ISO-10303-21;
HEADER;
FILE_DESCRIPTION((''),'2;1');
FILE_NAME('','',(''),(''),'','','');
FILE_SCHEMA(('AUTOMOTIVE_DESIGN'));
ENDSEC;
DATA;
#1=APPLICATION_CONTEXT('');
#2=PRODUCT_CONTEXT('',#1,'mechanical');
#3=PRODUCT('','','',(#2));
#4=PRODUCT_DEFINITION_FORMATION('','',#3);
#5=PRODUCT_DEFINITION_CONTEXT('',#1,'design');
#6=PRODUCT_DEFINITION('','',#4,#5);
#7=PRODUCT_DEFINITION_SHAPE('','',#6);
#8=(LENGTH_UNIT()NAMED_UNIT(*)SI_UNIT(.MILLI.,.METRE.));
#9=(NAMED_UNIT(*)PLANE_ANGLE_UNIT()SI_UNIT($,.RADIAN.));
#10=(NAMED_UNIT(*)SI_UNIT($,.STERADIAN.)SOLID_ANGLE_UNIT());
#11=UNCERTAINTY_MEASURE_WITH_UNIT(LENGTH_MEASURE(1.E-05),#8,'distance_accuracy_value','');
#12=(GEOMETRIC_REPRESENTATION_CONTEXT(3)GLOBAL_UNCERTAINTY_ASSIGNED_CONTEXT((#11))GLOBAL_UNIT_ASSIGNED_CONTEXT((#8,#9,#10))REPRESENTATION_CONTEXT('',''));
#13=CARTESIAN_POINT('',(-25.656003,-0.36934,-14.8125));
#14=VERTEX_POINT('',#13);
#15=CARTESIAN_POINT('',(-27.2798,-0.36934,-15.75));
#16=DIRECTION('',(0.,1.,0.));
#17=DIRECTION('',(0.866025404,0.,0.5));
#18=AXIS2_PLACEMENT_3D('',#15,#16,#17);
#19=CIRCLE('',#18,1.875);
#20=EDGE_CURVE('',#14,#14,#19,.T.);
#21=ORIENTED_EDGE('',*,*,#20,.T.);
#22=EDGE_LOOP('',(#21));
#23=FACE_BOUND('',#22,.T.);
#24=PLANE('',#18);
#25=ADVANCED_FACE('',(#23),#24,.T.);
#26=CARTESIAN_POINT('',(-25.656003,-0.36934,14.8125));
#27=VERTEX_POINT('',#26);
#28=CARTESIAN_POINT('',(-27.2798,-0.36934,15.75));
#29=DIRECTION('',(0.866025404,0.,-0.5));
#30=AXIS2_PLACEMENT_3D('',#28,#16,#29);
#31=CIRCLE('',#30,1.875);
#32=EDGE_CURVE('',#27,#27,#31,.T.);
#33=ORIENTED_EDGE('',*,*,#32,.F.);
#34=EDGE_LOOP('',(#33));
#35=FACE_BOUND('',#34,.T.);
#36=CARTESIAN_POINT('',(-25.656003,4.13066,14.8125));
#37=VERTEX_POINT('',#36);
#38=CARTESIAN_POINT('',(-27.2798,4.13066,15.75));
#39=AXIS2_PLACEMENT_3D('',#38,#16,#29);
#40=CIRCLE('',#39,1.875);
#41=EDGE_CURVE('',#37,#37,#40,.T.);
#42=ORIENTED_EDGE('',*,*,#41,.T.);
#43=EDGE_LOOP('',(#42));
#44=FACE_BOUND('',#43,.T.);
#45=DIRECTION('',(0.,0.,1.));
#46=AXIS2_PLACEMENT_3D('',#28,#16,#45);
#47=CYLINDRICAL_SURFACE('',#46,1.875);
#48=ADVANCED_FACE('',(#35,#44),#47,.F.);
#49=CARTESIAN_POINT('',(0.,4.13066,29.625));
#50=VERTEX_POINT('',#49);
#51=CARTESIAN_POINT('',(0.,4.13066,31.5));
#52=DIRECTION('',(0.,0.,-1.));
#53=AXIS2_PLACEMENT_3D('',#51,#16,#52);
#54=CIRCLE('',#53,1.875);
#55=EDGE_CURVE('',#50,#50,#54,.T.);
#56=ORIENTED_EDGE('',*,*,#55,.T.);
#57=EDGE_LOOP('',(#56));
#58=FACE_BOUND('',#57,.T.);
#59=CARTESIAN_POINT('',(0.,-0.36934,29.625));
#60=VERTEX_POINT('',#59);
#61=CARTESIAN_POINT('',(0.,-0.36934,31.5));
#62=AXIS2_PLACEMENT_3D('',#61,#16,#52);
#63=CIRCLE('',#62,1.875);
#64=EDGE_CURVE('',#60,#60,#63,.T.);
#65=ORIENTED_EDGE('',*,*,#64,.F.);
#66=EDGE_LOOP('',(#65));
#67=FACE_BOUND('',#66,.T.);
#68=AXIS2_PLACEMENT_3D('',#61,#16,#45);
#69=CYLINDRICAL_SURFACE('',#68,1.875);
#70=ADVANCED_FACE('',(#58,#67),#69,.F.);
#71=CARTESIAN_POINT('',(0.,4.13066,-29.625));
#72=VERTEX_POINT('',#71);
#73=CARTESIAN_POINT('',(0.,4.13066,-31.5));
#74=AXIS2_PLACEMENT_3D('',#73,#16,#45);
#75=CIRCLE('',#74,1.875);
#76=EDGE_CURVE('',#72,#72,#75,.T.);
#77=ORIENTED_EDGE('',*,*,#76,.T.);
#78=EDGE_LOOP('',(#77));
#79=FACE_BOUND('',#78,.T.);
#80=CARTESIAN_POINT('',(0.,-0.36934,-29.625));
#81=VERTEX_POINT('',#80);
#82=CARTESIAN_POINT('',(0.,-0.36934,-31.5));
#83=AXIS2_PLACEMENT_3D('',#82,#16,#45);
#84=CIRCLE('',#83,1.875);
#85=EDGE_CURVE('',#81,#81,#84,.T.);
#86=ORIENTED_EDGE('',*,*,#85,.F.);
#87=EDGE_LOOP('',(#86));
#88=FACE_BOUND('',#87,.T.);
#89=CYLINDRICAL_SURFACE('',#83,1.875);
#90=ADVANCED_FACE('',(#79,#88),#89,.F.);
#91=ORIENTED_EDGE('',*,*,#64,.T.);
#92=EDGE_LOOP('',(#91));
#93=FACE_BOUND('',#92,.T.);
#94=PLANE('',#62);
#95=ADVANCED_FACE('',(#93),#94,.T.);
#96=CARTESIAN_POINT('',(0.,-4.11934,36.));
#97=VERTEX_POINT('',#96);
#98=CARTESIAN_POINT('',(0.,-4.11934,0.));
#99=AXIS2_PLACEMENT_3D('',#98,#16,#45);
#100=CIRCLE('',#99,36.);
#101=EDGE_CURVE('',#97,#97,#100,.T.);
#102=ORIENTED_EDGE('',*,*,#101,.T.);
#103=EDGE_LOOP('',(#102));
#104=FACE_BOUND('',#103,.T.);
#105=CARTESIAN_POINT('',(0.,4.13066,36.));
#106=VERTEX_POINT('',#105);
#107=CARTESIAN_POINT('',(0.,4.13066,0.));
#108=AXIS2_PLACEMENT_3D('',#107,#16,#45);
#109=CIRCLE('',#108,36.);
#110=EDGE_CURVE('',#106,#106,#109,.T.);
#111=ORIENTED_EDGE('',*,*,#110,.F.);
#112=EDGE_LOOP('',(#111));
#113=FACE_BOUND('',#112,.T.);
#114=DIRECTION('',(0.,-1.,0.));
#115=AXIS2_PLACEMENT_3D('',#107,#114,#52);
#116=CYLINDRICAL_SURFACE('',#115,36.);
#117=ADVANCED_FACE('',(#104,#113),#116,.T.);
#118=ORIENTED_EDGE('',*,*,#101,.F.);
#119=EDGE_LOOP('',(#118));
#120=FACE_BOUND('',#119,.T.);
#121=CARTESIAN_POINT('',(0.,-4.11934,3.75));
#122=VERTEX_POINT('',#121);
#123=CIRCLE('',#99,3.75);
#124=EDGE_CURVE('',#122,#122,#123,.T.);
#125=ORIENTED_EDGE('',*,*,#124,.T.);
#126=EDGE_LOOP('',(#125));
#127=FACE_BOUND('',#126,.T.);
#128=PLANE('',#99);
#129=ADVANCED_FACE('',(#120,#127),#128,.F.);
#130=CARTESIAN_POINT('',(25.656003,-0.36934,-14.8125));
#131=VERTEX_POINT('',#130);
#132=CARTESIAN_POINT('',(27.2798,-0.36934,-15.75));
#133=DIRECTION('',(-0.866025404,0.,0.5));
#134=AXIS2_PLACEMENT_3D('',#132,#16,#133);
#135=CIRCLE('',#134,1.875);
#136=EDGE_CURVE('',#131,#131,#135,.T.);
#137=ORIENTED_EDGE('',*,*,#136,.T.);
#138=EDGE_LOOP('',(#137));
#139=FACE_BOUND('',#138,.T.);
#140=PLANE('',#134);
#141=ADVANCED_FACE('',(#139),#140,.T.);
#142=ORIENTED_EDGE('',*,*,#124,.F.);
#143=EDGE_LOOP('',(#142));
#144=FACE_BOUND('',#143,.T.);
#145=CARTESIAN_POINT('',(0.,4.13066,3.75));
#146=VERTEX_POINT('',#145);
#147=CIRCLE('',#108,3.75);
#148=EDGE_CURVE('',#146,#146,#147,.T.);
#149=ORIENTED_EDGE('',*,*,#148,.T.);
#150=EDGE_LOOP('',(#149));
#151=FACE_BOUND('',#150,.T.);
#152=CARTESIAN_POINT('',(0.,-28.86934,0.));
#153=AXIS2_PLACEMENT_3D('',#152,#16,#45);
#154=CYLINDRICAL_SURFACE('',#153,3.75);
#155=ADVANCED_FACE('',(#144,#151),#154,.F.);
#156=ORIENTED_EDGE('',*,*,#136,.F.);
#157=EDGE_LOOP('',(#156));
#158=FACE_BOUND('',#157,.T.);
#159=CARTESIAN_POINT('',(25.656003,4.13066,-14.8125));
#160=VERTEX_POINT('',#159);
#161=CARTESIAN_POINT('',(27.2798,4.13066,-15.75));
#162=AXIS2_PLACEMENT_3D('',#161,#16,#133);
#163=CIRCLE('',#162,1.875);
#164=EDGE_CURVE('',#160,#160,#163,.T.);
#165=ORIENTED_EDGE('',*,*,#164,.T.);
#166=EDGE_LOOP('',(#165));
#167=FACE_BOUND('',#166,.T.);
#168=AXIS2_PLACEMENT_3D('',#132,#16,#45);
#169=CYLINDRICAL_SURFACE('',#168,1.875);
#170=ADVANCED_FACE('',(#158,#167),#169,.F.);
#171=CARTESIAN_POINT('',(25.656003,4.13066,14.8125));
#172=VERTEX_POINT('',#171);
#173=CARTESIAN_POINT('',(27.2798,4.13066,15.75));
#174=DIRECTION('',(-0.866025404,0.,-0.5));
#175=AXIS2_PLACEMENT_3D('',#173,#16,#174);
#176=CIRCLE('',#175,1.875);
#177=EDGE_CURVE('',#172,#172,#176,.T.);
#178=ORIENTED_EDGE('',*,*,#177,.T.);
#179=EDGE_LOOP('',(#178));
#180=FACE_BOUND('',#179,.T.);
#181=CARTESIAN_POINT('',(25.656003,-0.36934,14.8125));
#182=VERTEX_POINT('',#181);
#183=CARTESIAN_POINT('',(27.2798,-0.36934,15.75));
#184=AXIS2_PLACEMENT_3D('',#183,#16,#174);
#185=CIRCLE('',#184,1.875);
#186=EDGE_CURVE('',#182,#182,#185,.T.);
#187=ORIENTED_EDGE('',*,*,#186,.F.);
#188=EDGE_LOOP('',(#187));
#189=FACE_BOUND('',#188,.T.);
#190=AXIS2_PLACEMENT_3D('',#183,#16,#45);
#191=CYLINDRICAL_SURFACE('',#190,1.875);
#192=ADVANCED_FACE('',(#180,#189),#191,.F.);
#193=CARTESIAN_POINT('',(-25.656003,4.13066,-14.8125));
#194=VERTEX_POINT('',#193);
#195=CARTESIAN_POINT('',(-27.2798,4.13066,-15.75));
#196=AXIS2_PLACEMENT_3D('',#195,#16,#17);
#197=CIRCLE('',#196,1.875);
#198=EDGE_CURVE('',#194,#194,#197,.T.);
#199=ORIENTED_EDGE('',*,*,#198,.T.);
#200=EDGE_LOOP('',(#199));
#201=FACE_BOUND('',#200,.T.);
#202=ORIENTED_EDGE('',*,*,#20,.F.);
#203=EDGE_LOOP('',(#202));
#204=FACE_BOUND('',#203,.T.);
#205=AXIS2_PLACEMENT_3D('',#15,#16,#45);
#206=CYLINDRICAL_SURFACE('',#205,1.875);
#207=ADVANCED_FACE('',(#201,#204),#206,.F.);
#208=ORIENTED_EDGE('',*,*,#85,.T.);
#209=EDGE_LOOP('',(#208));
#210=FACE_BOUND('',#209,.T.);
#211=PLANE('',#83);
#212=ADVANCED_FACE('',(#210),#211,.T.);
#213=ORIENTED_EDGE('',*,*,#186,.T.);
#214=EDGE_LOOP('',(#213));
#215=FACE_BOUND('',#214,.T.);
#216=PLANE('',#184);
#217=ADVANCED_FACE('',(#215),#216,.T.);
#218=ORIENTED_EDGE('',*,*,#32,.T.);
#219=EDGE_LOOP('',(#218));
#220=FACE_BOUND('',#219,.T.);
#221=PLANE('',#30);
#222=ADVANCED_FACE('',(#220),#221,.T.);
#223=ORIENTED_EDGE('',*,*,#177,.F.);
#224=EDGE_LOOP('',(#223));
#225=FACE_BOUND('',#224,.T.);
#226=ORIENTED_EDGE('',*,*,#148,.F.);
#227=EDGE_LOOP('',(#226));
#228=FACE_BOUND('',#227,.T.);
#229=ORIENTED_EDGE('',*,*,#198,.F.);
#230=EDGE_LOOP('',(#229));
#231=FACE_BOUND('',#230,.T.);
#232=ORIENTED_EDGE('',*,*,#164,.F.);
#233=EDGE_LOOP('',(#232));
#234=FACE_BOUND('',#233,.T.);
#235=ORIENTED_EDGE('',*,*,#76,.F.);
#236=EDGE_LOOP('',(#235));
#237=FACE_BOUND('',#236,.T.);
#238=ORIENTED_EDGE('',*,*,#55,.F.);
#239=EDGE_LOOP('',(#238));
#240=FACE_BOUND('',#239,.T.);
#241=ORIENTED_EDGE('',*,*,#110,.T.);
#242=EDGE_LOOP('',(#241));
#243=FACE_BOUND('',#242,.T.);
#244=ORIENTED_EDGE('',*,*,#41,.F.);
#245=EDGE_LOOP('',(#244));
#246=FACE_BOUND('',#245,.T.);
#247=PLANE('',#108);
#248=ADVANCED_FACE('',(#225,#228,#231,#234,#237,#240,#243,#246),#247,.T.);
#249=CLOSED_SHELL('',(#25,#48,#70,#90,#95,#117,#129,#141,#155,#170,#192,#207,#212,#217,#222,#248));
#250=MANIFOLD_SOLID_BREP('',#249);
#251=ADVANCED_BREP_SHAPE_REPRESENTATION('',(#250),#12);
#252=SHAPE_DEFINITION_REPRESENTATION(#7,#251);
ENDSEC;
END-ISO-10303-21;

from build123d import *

# Parameters (mm, degrees)
SKETCH_1_R               = 24
EXTRUDE_1_DEPTH          = 2.75
SKETCH_4_R               = 2.5
CUT_EXTRUDE_1_DEPTH      = 22
SKETCH_6_R               = 1.25
CUT_EXTRUDE_3_DEPTH      = 3
PATTERN_CIRCULAR_1_COUNT = 6
SCALE_1_SCALE            = 1.5


with BuildPart() as part:
    # 草图1 → 凸台-拉伸1 (new, symmetric)
    with BuildSketch(Plane(origin=(0, 0, 0), x_dir=(1, 0, 0), z_dir=(0, 1, 0))):
        with Locations(Location((0, 0, 0), (0, 0, 270))):
            Circle(SKETCH_1_R)
    extrude(amount=EXTRUDE_1_DEPTH, both=True)

    # 草图4 → 切除-拉伸1 (cut)
    with BuildSketch(Plane(origin=(0, 2.75, 0), x_dir=(1, 0, 0), z_dir=(0, 1, 0))):
        with Locations(Location((0, 0, 0), (0, 0, 270))):
            Circle(SKETCH_4_R)
    extrude(amount=-CUT_EXTRUDE_1_DEPTH, mode=Mode.SUBTRACT)

    # 草图6 → 切除-拉伸3 (cut)
    with BuildSketch(Plane(origin=(0, 2.75, 0), x_dir=(1, 0, 0), z_dir=(0, 1, 0))):
        with Locations(Location((0, 21, 0), (0, 0, 270))):
            Circle(SKETCH_6_R)
    cut_extrude_3 = extrude(amount=-CUT_EXTRUDE_3_DEPTH, mode=Mode.SUBTRACT)

    # 阵列(圆周)1: 切除-拉伸3 ×6 about axis
    pattern_circular_1_axis = Axis((0, 0, 0), (0, 1, 0))
    for i in range(1, PATTERN_CIRCULAR_1_COUNT):
        add(cut_extrude_3.rotate(pattern_circular_1_axis, i * 360 / PATTERN_CIRCULAR_1_COUNT), mode=Mode.SUBTRACT)


with BuildPart() as part_1:
    # 缩放比例1: scaled about (0, -0.011320641, 0)
    add(part.part.scale(SCALE_1_SCALE).moved(Location((0, 0.00566032, 0))))


solid = part_1.part
